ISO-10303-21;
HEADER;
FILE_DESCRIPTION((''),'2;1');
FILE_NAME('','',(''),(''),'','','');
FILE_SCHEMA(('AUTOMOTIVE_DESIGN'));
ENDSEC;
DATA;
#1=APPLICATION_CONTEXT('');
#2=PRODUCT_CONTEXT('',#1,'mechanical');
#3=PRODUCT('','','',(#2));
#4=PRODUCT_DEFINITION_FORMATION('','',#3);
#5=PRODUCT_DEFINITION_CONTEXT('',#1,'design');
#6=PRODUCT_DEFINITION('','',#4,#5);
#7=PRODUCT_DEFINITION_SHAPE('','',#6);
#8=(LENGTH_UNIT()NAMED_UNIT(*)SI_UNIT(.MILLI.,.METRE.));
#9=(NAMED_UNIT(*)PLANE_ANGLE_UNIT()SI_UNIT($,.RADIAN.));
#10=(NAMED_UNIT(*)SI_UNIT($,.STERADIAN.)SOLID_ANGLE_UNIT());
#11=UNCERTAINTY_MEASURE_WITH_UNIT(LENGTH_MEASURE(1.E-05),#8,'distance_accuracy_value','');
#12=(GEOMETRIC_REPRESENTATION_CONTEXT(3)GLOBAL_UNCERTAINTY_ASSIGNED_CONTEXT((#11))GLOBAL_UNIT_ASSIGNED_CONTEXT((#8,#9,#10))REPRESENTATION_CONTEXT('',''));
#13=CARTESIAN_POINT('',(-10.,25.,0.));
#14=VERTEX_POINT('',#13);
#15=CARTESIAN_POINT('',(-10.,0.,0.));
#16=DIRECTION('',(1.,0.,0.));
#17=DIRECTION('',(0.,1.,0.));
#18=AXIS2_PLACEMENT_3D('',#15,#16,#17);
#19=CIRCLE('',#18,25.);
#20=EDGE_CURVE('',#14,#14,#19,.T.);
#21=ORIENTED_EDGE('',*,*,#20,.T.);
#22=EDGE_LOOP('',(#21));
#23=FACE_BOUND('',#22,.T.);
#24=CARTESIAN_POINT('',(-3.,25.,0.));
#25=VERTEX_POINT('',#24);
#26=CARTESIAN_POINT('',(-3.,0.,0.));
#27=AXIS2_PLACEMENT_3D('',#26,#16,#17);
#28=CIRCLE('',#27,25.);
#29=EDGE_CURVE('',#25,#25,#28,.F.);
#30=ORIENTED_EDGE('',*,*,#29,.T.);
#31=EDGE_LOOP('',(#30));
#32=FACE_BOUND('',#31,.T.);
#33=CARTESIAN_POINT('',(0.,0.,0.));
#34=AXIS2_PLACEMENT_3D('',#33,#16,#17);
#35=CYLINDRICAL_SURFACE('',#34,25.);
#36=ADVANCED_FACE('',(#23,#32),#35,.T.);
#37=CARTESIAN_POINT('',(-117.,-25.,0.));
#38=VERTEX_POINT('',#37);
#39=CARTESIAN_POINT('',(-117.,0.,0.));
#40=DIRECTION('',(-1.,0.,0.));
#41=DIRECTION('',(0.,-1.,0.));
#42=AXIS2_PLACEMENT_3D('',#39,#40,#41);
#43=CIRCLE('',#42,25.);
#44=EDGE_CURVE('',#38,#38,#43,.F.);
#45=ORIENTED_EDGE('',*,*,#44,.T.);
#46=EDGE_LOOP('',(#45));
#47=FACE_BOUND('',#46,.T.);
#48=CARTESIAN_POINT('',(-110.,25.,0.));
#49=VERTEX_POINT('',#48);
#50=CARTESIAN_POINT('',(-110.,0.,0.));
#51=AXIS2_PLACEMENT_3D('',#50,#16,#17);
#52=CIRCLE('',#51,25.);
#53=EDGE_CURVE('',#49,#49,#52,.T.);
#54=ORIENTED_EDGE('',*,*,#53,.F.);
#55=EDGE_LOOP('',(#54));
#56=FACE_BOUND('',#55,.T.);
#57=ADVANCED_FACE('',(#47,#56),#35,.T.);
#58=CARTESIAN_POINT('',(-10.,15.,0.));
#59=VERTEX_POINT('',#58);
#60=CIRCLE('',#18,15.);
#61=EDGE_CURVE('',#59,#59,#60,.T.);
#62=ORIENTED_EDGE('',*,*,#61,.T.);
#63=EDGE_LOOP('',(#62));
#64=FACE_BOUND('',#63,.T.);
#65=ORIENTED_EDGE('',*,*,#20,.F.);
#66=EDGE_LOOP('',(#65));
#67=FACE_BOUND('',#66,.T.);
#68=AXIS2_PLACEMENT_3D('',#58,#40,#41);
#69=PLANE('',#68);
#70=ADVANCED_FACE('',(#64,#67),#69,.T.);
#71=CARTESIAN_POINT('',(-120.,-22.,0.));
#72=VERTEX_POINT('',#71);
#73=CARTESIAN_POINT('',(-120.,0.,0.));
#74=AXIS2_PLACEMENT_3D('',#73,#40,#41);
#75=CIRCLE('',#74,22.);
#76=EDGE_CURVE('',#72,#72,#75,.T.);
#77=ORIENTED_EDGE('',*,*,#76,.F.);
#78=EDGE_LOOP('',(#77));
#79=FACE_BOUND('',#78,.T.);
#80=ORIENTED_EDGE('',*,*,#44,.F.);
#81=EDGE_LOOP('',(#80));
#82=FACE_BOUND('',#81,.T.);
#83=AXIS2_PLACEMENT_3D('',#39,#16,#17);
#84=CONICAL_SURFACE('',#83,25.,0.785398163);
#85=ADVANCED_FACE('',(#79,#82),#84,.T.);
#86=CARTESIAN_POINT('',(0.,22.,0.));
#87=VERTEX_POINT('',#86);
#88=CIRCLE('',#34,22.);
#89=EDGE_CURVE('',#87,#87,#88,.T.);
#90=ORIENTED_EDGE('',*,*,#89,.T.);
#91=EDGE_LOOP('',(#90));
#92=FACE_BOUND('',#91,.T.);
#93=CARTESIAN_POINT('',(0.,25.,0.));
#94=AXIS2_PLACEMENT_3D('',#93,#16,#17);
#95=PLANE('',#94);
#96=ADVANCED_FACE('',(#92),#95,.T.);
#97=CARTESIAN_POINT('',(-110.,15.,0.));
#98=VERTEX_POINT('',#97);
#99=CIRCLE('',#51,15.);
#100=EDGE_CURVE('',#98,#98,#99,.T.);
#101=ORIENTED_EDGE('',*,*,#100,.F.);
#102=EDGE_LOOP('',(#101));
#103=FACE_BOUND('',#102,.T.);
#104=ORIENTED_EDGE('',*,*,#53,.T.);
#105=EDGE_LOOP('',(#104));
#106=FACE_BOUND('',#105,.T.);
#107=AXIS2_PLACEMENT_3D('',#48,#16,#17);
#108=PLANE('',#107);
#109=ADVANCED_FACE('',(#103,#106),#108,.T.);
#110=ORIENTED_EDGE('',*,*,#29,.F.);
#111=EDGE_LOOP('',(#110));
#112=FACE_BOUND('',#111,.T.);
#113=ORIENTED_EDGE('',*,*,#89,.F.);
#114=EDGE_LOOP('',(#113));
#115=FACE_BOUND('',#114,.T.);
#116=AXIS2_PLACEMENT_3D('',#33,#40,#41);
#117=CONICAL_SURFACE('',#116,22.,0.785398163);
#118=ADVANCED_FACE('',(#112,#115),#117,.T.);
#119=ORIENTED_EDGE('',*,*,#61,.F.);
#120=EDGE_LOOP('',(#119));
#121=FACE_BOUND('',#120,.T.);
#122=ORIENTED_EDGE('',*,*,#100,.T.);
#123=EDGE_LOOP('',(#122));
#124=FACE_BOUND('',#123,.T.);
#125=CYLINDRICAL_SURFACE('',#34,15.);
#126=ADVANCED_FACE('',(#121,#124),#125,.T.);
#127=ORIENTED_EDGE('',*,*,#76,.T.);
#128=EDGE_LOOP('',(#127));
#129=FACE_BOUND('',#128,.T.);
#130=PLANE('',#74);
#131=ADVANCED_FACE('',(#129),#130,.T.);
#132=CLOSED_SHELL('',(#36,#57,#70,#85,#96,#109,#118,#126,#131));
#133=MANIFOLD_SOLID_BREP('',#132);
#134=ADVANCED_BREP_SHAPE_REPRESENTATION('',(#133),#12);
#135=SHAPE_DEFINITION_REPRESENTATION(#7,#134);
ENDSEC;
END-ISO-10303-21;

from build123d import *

# Parameters (mm, degrees)
CHAMFER1_SIZE = 3


with BuildPart() as part:
    # Sketch1 → Revolve1 (revolve)
    with BuildSketch(Plane.XY):
        Polygon((0, 0), (-120, 0), (-120, 25), (-110, 25), (-110, 15), (-10, 15), (-10, 25), (0, 25), align=None)
    revolve(axis=Axis((0, 0, 0), (-1, 0, 0)))

    # Chamfer1
    chamfer1_edges = [part.edges().sort_by_distance(p)[0] for p in [
        (0, -25, 0),
        (-120, -25, 0),
    ]]
    chamfer(chamfer1_edges, length=CHAMFER1_SIZE)


solid = part.part
